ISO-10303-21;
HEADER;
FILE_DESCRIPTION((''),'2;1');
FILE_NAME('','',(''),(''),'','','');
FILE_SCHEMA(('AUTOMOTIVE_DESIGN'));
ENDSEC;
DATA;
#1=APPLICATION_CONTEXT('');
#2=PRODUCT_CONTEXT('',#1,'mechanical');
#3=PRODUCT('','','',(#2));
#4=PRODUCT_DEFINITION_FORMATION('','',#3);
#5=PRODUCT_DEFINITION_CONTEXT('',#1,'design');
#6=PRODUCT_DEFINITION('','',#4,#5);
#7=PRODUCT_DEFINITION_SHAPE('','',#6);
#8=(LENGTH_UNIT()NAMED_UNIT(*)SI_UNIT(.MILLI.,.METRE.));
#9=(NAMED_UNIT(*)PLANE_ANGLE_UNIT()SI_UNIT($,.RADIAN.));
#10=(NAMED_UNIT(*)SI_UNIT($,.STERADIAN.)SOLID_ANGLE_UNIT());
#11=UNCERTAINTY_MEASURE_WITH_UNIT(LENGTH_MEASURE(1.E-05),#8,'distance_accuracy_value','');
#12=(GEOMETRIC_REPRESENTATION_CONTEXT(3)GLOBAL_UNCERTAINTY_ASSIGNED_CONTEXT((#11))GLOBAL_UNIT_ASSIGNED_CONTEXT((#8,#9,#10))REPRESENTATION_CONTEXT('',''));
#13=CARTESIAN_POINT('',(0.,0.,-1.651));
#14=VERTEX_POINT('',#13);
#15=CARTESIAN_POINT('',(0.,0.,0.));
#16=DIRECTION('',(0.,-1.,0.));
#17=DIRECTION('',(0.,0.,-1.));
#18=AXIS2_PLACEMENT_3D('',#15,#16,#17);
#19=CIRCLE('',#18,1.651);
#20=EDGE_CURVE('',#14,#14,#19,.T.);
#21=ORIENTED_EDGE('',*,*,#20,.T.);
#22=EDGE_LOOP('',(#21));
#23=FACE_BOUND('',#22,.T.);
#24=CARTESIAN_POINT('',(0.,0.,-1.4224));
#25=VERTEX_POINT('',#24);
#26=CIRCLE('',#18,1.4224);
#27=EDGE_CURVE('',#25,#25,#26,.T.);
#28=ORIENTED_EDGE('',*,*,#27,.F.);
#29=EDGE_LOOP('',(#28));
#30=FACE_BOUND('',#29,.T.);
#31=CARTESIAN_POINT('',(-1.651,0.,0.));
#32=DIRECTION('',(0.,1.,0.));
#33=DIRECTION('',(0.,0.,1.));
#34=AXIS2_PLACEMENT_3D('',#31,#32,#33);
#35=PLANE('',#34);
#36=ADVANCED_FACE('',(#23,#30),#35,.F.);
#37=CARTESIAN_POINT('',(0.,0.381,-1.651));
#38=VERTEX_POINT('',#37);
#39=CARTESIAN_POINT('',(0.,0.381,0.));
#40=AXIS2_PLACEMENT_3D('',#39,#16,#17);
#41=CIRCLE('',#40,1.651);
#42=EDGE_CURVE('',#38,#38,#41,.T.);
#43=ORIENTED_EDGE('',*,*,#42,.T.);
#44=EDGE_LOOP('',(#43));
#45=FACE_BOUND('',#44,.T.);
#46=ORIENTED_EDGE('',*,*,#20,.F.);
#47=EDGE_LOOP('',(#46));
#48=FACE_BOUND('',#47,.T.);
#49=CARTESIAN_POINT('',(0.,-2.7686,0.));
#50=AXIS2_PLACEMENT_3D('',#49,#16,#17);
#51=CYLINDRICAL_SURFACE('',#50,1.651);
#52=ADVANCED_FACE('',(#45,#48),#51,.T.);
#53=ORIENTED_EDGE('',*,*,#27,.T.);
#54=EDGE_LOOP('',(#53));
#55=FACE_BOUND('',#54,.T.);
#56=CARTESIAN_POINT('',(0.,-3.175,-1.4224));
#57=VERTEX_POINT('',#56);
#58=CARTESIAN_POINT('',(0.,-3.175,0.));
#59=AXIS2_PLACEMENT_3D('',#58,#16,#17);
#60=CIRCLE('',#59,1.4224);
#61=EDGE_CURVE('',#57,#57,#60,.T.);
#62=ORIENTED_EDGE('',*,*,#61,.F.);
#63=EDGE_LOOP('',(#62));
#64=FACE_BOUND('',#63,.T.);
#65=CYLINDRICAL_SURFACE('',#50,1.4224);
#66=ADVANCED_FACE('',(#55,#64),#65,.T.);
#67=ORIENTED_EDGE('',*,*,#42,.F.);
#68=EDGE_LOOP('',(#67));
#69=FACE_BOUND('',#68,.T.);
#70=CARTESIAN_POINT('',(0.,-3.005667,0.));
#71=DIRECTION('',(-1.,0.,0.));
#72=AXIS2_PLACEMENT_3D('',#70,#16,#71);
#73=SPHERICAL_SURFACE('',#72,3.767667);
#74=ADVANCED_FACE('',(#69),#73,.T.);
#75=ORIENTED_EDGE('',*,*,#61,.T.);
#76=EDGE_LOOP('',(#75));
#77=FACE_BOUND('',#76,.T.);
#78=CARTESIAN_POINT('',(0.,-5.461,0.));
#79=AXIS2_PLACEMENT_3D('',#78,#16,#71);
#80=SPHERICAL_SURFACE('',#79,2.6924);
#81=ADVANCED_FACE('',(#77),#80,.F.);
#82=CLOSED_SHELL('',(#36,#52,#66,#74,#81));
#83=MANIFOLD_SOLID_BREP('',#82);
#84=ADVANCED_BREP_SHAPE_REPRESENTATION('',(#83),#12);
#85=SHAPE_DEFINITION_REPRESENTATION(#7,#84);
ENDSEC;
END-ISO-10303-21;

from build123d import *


with BuildPart() as part:
    # Sketch1 → Revolve1 (revolve)
    with BuildSketch(Plane.XY):
        with BuildLine():
            Line((-1.651, 0.381), (-1.651, 0))
            Line((-1.651, 0), (-1.4224, 0))
            Line((-1.4224, 0), (-1.4224, -3.175))
            ThreePointArc((-1.4224, -3.175), (-0.739659165, -2.872192923), (0, -2.7686))
            Line((0, -2.7686), (0, 0.762))
            ThreePointArc((0, 0.762), (-0.847195668, 0.665514562), (-1.651, 0.381))
        make_face()
    revolve(axis=Axis((0, -2.7686, 0), (0, 1, 0)))


solid = part.part
